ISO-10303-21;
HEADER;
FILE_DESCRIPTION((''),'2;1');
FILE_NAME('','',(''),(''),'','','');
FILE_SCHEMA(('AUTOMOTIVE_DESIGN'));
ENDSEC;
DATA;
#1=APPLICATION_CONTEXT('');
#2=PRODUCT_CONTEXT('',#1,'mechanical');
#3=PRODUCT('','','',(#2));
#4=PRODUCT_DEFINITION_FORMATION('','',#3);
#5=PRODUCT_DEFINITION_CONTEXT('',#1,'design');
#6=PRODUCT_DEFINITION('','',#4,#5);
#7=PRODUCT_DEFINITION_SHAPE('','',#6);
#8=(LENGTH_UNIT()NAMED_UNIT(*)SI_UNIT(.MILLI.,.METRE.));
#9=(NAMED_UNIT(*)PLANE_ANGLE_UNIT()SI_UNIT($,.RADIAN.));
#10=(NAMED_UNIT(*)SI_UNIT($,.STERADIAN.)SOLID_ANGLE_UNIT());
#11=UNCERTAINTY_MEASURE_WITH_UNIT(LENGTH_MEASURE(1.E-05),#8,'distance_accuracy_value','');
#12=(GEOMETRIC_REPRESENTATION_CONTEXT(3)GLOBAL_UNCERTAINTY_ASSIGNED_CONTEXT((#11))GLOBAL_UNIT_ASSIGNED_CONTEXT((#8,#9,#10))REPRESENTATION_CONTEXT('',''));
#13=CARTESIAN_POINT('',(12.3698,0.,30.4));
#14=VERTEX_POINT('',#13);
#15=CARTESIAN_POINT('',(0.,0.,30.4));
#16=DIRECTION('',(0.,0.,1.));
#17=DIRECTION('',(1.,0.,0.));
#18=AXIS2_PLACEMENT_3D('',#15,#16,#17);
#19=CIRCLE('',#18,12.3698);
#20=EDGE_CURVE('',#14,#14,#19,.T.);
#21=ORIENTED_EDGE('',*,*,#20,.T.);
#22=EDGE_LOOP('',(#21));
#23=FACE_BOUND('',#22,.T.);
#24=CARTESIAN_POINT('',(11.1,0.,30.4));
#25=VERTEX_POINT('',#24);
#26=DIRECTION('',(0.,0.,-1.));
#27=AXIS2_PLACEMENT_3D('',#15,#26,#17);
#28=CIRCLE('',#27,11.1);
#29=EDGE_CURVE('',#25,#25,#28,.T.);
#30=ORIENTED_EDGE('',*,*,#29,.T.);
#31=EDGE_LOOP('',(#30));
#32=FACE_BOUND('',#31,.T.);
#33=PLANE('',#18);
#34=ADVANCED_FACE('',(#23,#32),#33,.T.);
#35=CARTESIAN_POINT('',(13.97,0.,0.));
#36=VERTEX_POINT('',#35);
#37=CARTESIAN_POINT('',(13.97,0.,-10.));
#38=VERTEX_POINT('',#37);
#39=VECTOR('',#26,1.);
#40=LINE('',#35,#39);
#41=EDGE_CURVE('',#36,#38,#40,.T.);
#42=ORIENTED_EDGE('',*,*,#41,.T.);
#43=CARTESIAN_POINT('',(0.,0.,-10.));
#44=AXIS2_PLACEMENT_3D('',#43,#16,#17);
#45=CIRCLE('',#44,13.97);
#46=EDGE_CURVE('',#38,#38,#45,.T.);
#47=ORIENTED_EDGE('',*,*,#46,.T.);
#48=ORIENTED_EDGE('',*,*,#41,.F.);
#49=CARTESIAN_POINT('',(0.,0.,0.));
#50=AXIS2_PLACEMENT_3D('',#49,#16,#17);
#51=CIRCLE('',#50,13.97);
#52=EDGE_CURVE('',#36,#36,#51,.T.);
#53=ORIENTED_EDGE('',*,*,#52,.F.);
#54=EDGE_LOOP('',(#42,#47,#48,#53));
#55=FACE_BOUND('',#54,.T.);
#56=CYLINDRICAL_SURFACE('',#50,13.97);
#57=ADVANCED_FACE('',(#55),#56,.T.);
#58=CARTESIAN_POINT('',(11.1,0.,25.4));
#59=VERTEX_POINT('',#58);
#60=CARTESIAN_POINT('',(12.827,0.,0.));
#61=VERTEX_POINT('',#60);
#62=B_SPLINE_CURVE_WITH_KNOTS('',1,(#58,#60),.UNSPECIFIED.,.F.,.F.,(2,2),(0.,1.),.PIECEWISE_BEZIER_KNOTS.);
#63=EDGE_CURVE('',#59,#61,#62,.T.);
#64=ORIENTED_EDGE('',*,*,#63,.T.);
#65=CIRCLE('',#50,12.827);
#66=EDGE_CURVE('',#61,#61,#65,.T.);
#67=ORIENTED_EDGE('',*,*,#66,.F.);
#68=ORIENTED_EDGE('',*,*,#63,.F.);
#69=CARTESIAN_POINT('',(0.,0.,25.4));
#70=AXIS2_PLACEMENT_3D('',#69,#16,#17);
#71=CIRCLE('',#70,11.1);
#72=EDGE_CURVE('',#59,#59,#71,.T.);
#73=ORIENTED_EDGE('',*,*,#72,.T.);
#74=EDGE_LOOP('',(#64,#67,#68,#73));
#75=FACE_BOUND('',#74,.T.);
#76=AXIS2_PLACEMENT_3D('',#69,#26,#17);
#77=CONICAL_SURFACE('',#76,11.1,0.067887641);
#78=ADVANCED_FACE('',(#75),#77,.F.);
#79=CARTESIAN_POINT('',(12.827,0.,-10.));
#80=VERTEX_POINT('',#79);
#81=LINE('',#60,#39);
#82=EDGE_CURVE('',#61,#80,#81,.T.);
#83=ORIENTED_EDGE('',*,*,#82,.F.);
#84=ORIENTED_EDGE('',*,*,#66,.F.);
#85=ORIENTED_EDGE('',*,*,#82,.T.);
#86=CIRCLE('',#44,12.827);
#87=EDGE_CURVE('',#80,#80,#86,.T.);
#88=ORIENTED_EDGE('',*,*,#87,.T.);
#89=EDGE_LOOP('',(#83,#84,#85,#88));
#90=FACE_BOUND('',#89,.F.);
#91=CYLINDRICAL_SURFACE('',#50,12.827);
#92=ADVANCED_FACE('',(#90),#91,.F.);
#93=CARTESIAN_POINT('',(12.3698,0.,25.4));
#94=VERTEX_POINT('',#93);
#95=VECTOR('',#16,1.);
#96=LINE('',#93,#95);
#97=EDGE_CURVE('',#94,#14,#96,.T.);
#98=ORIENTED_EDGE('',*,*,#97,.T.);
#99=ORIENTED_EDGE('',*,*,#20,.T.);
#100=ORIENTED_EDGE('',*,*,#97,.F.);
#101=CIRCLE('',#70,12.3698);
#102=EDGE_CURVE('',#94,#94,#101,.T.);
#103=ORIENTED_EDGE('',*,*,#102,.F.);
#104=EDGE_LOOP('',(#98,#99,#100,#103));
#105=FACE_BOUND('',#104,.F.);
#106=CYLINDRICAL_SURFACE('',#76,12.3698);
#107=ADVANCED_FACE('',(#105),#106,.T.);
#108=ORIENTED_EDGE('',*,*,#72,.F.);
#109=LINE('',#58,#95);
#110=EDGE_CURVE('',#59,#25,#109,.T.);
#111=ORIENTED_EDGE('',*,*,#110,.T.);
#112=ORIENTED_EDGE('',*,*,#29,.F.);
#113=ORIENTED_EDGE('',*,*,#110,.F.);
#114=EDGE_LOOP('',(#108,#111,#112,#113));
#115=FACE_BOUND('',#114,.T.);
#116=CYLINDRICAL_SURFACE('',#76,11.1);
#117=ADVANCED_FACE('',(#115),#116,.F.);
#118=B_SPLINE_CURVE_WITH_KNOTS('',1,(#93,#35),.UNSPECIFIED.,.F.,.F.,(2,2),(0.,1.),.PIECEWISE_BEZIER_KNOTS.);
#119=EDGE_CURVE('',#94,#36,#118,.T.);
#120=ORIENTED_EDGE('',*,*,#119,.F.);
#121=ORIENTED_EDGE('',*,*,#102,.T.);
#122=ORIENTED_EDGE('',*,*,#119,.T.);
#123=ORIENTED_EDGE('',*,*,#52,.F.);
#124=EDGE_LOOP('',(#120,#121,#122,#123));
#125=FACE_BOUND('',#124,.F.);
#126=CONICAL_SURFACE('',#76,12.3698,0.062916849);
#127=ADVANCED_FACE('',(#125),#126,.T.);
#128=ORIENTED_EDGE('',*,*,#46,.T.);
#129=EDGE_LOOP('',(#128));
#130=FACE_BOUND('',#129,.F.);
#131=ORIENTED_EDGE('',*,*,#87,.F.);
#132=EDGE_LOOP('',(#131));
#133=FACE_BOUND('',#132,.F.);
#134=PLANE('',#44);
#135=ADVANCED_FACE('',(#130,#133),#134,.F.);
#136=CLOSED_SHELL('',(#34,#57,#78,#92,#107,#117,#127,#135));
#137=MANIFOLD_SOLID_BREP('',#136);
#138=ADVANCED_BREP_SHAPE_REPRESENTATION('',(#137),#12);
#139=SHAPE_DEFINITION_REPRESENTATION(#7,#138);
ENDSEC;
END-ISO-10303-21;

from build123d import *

# Parameters (mm, degrees)
F3_R      = 12.3698
F4_R      = 13.97
F1_R      = 11.1
F2_R      = 12.827
F7_DEPTH  = 5
F8_DEPTH  = 25.4
F9_DEPTH  = 10
F10_DEPTH = 25.4


with BuildPart() as f5:
    # F3 (on offset) → F5 section 0
    with BuildSketch(Plane.XY.offset(25.4)):
        Circle(F3_R)
    # F4 (on Top) → F5 section 1
    with BuildSketch(Plane.XY):
        Circle(F4_R)
    loft()

    # F1 (on offset) → F6 section 0
    with BuildSketch(Plane.XY.offset(25.4)):
        Circle(F1_R)
    # F2 (on Top) → F6 section 1
    with BuildSketch(Plane.XY):
        Circle(F2_R)
    loft(mode=Mode.SUBTRACT)

    # F3 (on offset) → F7 (join)
    with BuildSketch(Plane.XY.offset(25.4)):
        Circle(F3_R)
    extrude(amount=F7_DEPTH)

    # F1 (on offset) → F8 (cut)
    with BuildSketch(Plane.XY.offset(25.4)):
        Circle(F1_R)
    extrude(amount=F8_DEPTH, mode=Mode.SUBTRACT)

    # F4 (on Top) → F9 (join)
    with BuildSketch(Plane.XY):
        Circle(F4_R)
    extrude(amount=-F9_DEPTH)

    # F2 (on Top) → F10 (cut)
    with BuildSketch(Plane.XY):
        Circle(F2_R)
    extrude(amount=-F10_DEPTH, mode=Mode.SUBTRACT)


solid = f5.part
